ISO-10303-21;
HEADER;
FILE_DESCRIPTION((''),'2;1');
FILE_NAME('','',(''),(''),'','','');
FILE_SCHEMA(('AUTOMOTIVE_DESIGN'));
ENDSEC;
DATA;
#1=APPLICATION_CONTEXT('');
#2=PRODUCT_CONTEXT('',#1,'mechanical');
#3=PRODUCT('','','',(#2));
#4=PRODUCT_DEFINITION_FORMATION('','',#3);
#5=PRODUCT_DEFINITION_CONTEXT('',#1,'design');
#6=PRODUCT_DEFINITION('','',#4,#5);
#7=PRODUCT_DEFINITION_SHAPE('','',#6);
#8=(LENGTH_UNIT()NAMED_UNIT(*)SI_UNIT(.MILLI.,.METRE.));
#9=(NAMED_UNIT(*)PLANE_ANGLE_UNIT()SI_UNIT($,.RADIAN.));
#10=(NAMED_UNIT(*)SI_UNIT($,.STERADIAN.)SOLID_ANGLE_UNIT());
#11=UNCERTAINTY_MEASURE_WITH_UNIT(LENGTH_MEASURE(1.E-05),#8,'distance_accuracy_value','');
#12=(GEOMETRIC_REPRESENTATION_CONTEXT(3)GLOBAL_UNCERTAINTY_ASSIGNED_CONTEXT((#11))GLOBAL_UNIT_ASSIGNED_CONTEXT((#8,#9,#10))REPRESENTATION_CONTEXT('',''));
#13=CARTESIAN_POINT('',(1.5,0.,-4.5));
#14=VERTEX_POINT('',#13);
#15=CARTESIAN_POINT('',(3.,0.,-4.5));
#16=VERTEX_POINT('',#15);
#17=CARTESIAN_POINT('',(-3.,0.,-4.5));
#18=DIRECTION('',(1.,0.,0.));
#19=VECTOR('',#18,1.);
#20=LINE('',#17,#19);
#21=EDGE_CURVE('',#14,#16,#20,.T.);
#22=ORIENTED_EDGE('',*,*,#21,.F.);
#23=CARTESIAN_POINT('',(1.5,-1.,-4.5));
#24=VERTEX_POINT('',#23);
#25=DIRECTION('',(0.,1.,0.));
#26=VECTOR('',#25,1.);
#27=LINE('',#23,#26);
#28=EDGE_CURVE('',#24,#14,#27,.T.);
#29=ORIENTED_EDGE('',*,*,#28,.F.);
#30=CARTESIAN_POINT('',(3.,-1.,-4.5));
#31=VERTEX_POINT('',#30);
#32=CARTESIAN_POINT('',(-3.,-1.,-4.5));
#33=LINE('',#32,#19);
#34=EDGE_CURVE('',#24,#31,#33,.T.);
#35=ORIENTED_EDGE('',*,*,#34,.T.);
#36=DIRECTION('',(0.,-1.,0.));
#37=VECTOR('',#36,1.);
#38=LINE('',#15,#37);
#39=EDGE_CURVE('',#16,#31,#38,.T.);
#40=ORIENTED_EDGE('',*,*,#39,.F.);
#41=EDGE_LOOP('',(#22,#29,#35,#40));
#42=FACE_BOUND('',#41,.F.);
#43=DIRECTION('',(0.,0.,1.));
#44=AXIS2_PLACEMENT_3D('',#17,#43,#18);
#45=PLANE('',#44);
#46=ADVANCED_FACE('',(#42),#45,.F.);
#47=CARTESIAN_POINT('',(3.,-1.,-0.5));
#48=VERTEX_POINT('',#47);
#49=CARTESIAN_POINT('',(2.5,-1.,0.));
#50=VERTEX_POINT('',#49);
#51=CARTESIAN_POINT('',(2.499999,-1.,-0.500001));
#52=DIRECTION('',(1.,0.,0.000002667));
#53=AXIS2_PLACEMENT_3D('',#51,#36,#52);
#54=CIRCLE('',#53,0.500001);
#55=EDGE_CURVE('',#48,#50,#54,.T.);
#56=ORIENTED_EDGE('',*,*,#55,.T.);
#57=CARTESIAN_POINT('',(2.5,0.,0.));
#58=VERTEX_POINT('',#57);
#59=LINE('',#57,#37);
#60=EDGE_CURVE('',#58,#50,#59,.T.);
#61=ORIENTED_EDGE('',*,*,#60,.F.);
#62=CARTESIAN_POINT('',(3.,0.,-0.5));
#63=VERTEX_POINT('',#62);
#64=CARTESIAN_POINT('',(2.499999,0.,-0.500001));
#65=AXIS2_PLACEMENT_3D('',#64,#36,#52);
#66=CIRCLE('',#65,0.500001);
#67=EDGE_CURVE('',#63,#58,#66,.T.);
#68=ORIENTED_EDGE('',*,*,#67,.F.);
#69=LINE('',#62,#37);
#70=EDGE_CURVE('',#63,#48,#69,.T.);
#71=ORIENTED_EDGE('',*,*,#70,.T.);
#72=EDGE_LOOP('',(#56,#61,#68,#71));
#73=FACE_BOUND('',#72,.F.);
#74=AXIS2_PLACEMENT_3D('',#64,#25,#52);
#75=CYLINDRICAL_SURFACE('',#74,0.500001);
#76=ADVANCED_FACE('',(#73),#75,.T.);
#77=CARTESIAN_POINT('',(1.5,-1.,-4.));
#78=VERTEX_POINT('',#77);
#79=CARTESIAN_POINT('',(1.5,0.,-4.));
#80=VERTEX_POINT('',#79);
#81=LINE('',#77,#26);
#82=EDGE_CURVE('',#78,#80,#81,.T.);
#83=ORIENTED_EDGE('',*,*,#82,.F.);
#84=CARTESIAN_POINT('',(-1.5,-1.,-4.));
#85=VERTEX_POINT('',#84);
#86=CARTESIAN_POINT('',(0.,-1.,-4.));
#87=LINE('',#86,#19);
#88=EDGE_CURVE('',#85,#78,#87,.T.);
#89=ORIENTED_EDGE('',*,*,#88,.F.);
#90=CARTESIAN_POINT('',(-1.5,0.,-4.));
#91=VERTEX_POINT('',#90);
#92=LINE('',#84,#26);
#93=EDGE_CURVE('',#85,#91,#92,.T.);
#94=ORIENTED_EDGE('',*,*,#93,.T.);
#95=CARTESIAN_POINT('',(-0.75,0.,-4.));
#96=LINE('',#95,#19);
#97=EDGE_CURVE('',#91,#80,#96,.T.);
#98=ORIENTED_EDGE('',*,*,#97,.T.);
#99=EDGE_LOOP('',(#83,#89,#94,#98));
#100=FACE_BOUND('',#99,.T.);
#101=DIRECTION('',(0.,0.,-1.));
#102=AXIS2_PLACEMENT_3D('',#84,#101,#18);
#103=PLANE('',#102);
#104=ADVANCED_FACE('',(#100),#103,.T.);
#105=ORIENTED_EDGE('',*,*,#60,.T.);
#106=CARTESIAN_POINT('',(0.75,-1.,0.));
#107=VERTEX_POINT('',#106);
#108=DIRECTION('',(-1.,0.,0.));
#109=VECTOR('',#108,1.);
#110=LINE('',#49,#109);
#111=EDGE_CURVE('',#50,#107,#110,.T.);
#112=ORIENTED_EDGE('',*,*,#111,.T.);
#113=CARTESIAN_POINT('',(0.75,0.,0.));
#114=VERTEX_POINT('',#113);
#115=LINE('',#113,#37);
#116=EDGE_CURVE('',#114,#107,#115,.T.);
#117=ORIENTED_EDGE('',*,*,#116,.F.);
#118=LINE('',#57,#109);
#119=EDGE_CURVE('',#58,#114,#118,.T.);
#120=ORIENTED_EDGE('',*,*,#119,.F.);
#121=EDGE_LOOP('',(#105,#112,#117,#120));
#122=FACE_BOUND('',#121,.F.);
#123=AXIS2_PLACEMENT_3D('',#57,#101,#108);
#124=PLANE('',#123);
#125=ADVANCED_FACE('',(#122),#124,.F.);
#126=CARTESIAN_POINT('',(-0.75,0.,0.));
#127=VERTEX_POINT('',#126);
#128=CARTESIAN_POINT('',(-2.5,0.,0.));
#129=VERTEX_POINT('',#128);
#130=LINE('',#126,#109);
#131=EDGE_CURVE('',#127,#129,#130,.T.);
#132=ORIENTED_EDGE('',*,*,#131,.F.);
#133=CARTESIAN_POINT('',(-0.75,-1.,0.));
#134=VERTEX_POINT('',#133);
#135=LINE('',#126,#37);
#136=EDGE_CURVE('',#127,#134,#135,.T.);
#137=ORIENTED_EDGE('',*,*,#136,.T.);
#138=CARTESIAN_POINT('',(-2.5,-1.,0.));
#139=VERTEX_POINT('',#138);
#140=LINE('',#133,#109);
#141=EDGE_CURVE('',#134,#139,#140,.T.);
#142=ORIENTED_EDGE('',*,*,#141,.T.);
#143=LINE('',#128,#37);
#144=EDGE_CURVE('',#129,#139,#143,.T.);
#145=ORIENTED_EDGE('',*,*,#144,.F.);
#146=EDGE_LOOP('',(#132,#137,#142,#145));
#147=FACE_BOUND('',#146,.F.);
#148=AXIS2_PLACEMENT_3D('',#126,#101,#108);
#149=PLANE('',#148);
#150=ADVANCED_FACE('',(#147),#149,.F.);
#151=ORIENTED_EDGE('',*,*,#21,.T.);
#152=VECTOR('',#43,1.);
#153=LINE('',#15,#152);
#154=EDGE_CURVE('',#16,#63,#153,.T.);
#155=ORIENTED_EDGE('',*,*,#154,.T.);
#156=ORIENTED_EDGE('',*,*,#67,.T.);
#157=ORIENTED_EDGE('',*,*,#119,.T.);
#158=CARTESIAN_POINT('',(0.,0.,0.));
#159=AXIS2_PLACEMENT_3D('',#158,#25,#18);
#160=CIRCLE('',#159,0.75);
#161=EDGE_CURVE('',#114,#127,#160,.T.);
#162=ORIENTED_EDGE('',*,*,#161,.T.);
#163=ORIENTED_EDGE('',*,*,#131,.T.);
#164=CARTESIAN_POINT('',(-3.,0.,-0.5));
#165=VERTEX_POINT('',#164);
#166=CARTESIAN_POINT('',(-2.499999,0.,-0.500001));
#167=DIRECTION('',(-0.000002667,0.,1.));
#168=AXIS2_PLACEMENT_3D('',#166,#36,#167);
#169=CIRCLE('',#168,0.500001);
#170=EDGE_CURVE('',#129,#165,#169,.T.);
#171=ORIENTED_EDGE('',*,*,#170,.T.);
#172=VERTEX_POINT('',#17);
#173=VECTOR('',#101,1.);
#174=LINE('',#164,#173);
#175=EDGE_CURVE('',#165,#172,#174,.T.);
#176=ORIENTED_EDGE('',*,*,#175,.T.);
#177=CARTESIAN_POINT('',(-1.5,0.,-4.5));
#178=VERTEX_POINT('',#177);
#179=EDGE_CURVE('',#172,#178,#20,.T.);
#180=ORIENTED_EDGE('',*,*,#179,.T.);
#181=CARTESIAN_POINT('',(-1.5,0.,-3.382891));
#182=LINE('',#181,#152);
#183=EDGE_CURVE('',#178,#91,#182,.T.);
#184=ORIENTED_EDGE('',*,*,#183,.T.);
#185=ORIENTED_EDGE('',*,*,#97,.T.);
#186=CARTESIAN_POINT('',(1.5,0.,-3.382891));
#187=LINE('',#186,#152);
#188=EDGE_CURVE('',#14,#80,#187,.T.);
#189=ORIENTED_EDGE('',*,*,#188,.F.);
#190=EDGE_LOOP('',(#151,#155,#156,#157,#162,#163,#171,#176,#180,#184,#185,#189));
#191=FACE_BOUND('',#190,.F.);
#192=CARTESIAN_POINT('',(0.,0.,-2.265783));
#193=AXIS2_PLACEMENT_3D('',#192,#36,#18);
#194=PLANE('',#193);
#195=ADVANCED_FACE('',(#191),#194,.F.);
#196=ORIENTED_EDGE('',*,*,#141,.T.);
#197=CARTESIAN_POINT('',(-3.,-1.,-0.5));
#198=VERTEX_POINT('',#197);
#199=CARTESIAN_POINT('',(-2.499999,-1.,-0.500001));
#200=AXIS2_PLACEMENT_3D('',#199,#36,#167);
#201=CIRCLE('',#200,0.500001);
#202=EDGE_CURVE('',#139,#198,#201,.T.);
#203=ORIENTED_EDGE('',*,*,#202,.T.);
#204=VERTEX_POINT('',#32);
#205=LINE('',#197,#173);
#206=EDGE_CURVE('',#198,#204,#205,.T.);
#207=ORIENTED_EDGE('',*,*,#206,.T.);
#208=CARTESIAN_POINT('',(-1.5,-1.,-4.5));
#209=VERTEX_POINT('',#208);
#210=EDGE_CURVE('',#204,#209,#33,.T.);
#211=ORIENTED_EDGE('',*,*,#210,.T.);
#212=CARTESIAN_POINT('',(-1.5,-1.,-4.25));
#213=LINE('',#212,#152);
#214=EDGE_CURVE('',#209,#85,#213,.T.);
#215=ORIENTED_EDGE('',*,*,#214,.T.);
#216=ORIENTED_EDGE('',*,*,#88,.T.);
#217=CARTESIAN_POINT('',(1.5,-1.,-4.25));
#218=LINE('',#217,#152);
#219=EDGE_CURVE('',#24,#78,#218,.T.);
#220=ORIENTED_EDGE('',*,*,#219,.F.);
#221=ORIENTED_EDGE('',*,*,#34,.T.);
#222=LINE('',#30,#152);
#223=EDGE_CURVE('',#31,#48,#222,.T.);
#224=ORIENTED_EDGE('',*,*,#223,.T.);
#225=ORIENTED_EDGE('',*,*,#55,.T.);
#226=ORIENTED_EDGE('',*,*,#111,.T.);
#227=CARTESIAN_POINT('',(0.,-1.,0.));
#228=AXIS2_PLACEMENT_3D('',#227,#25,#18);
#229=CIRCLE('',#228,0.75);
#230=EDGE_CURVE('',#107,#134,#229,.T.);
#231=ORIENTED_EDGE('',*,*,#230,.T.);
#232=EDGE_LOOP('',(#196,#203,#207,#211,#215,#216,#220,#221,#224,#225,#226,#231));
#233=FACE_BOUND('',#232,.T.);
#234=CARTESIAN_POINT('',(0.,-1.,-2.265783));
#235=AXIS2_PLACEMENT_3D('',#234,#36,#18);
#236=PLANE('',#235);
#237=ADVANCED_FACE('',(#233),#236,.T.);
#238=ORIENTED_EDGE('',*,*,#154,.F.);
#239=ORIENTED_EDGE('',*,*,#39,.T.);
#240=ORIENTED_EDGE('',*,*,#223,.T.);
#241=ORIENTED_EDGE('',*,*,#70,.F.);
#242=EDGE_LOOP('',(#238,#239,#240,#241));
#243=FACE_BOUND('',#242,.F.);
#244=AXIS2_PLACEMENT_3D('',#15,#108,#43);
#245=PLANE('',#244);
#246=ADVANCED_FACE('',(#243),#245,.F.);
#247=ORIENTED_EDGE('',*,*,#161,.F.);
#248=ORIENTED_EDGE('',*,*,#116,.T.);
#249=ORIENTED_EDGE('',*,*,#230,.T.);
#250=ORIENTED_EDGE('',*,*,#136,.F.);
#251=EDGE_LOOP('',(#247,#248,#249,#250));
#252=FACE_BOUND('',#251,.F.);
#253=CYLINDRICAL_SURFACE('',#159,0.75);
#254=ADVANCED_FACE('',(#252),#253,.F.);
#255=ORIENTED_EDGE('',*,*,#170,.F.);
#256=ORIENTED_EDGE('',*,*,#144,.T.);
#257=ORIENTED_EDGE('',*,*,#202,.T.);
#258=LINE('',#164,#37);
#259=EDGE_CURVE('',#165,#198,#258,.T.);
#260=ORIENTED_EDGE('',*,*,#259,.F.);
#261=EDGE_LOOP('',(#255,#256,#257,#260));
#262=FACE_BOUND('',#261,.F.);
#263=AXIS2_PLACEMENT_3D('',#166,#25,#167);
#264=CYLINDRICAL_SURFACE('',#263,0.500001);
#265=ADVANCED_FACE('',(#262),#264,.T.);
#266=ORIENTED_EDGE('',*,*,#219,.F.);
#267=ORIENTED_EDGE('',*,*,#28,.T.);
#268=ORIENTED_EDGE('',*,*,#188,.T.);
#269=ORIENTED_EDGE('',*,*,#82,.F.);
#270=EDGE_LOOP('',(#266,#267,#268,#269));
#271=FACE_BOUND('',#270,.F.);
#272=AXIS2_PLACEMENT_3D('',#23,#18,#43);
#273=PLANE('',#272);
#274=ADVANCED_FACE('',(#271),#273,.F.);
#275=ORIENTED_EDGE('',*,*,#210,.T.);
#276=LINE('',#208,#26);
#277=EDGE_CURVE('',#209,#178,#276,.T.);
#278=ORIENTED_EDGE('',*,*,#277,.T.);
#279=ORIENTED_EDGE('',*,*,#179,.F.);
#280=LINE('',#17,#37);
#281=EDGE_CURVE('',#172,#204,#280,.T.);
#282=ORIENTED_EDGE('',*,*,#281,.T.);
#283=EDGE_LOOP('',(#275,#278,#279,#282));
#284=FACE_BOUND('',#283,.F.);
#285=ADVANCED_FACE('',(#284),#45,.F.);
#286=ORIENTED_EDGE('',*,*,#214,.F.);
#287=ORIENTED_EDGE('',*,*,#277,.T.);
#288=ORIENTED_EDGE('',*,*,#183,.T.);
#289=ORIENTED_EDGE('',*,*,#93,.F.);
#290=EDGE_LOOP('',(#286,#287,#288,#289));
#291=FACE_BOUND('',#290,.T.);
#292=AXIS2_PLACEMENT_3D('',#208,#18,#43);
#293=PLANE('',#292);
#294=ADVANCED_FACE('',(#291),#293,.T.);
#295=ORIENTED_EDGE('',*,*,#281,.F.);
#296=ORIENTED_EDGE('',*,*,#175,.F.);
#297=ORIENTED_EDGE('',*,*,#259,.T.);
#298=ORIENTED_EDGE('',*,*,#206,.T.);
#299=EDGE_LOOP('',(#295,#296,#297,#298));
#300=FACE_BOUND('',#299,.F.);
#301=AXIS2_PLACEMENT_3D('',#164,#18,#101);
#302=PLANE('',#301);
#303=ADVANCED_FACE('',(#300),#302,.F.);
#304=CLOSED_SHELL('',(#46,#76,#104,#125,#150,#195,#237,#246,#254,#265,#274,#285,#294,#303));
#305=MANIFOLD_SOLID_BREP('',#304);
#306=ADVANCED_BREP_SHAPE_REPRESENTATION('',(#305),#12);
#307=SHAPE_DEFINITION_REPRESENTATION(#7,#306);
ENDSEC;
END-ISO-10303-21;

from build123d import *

# Parameters (mm, degrees)
F1_DEPTH = 1
F2_W     = 3
F2_H     = 0.5
F3_DEPTH = 25


with BuildPart() as f1:
    # F0 (on Front) → F1 (new body)
    with BuildSketch(Plane.XZ):
        with BuildLine():
            ThreePointArc((0.75, 0), (0, -0.75), (-0.75, 0))
            Line((-0.75, 0), (-2.5, 0))
            ThreePointArc((-2.5, 0), (-2.853553, -0.146447), (-3, -0.5))
            Line((-3, -0.5), (-3, -4.5))
            Line((-3, -4.5), (3, -4.5))
            Line((3, -4.5), (3, -0.5))
            ThreePointArc((3, -0.5), (2.853553, -0.146447), (2.5, 0))
            Line((2.5, 0), (0.75, 0))
        make_face()
    extrude(amount=F1_DEPTH)

    # F2 (on face) → F3 (cut)
    with BuildSketch(Plane.XZ.offset(1)):
        with Locations((0, -4.25)):
            Rectangle(F2_W, F2_H)
    extrude(amount=-F3_DEPTH, mode=Mode.SUBTRACT)


solid = f1.part
